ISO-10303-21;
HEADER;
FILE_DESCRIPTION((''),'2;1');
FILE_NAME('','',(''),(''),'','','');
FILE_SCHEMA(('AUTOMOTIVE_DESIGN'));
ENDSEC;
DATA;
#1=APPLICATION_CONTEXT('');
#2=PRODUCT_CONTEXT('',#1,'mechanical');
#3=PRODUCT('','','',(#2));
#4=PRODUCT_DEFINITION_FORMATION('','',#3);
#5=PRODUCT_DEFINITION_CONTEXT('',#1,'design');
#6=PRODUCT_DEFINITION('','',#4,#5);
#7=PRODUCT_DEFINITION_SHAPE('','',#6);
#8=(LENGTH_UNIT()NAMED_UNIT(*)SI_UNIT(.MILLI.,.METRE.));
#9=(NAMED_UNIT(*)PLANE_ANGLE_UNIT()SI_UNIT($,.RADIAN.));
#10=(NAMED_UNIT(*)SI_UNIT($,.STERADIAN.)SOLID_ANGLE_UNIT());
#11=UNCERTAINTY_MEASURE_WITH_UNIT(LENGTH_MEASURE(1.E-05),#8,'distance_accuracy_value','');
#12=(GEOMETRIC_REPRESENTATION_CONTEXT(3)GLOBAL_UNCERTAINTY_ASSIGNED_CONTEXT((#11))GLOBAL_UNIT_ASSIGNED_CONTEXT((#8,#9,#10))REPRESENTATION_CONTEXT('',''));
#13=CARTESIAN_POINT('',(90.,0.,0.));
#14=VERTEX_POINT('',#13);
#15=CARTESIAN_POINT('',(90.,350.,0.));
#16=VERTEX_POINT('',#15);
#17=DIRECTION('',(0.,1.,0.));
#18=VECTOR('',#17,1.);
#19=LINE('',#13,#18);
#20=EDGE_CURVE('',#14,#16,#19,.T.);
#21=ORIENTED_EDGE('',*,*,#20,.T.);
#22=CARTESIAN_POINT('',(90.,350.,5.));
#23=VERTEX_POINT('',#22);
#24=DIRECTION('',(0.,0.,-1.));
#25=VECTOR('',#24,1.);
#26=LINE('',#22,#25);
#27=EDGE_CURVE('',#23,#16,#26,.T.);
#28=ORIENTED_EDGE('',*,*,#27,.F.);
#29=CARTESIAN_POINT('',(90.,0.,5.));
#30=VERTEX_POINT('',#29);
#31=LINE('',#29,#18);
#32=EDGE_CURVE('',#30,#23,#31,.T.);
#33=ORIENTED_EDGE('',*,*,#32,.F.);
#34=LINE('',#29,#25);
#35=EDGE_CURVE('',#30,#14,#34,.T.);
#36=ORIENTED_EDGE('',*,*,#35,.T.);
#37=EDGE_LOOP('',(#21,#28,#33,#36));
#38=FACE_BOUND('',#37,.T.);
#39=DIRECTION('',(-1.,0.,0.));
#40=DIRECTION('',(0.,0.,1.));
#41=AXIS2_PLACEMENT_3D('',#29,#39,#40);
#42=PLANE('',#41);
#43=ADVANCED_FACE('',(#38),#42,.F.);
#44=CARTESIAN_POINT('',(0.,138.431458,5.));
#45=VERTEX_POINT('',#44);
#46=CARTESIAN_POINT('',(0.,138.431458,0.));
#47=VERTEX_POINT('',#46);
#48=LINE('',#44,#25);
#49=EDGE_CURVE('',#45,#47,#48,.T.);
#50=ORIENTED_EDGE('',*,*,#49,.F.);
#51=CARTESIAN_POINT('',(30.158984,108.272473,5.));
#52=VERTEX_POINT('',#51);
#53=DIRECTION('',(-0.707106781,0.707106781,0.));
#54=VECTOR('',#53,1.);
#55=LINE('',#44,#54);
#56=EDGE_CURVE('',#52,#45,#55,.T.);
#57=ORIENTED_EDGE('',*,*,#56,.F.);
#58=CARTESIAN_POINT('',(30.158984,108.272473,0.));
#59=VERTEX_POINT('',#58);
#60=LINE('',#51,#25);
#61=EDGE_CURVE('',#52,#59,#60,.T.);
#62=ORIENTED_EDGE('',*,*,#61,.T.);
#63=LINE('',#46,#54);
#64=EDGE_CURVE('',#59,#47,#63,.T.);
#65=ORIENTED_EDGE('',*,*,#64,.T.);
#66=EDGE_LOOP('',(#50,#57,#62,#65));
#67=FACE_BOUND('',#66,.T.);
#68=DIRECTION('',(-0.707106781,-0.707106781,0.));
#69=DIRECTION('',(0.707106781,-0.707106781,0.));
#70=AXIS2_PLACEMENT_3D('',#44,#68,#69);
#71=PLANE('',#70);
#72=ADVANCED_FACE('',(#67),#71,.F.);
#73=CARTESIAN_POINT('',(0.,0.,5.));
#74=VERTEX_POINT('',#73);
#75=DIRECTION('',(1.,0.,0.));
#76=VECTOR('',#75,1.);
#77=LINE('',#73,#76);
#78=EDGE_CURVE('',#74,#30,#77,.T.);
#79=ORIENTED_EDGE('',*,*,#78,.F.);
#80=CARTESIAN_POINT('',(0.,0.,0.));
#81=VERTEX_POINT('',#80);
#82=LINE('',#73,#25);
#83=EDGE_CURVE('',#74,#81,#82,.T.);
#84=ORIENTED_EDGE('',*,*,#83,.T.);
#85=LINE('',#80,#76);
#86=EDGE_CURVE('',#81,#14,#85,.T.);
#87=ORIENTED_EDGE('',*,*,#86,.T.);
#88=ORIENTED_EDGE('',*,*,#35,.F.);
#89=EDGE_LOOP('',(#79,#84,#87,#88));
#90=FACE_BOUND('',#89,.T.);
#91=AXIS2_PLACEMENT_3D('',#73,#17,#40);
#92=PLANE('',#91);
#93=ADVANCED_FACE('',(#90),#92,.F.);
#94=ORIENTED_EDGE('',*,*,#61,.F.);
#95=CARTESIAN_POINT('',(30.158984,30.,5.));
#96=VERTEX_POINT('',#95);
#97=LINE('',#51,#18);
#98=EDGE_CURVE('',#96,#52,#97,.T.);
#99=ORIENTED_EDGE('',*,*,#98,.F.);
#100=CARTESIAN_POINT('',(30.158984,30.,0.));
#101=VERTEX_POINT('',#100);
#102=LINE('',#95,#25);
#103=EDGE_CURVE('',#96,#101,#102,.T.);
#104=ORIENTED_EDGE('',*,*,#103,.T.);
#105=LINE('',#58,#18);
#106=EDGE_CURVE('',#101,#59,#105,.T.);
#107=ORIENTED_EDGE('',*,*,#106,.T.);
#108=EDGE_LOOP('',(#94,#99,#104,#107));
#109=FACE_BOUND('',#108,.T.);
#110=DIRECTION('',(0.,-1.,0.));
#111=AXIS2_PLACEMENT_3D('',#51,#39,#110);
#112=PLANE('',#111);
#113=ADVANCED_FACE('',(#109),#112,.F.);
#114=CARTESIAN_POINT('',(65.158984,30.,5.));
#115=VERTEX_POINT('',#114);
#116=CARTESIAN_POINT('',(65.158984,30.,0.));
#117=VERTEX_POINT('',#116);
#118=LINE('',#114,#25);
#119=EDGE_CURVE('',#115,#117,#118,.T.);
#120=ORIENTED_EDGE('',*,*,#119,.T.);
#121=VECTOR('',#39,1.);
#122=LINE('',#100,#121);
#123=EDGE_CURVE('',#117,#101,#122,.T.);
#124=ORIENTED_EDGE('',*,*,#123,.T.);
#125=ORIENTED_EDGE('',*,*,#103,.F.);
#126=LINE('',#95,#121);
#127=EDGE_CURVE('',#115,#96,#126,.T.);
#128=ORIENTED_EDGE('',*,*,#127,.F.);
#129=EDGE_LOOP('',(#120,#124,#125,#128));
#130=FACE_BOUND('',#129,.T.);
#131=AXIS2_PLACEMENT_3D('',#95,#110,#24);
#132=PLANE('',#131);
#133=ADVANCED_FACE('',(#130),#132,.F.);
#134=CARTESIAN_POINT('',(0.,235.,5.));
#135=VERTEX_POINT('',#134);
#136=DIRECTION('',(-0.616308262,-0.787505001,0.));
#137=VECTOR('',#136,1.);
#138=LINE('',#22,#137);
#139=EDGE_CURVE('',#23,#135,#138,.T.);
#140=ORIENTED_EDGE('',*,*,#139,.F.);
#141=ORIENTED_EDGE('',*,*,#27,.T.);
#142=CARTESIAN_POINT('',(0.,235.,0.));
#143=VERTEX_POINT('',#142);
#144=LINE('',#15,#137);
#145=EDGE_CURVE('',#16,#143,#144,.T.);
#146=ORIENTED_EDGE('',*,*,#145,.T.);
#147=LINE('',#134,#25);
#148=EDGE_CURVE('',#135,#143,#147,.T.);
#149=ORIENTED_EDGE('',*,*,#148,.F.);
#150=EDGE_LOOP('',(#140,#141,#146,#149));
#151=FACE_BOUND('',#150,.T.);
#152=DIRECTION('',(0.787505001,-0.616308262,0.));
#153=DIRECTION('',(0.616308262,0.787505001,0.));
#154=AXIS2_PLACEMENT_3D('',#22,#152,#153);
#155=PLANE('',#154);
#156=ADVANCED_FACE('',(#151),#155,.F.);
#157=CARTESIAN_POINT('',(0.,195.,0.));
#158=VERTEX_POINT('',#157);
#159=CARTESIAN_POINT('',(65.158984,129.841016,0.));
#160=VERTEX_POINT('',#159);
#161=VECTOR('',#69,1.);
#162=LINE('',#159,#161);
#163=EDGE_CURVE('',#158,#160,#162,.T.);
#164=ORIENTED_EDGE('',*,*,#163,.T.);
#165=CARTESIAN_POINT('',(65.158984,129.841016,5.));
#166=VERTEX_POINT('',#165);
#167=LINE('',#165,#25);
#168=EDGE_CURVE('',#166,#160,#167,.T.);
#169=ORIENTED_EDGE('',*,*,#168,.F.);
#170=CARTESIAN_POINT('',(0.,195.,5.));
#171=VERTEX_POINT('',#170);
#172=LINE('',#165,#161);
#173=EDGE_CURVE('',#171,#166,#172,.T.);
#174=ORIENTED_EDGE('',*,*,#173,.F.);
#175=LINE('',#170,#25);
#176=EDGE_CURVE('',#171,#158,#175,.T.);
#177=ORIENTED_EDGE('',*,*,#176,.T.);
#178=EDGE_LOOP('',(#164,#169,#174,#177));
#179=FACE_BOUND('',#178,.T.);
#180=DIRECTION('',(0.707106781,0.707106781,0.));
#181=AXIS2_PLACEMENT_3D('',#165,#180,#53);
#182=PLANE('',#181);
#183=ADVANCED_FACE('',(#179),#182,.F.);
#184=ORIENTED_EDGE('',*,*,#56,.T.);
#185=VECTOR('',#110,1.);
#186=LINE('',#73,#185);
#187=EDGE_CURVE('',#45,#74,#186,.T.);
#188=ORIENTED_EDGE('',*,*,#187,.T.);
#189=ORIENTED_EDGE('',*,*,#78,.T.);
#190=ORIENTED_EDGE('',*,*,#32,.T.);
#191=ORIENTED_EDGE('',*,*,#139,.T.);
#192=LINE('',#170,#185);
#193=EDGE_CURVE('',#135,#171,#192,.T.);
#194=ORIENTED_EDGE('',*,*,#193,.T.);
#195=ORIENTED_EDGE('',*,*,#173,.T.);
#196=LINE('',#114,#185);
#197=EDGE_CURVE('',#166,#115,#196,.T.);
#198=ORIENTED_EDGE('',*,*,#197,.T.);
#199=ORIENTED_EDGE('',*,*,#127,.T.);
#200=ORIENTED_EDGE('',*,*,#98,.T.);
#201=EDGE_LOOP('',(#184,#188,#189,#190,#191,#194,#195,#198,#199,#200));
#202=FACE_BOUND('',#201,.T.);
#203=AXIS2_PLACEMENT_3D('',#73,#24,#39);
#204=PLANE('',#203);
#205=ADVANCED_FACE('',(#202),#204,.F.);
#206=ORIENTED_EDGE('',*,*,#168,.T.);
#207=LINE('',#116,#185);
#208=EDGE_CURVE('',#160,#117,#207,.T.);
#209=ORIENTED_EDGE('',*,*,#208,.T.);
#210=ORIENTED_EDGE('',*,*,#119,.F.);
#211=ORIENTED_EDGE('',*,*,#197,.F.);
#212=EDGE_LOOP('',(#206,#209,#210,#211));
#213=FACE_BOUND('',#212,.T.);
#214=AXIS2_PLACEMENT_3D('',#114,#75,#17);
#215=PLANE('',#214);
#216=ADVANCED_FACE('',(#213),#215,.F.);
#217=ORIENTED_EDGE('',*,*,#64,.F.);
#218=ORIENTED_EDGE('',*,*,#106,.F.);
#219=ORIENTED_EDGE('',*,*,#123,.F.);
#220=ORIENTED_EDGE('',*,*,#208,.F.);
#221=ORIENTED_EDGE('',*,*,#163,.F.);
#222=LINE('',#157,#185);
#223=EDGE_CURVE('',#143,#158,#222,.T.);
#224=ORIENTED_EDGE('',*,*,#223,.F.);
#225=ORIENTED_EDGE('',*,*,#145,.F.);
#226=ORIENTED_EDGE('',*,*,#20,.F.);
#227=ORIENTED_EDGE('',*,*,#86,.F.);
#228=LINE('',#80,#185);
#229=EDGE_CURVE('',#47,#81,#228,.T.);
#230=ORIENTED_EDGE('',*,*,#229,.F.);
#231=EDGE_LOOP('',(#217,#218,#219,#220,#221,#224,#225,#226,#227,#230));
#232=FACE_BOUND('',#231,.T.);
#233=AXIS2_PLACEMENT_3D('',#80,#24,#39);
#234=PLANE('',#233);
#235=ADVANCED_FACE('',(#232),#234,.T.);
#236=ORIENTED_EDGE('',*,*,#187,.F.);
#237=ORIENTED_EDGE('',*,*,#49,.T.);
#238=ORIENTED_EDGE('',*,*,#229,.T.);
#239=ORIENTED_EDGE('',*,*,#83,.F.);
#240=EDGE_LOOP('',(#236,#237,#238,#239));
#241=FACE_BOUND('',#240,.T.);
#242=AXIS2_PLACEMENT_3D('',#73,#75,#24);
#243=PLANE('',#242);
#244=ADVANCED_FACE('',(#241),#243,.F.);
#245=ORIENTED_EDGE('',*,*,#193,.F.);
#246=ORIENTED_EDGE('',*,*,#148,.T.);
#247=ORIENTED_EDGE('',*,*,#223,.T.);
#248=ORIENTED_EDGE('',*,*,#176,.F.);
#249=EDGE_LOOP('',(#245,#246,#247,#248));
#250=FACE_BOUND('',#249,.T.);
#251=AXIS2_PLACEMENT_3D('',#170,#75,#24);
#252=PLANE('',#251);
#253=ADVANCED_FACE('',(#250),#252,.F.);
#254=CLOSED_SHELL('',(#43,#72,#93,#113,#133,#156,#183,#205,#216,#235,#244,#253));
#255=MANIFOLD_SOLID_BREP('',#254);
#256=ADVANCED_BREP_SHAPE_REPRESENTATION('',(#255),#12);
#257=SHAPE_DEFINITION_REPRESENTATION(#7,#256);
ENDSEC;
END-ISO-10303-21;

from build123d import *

# Parameters (mm, degrees)
BOSS_EXTRUDE1_DEPTH = 5


with BuildPart() as part:
    # Sketch1 → Boss-Extrude1 (new body)
    with BuildSketch(Plane.XY):
        Polygon((90, 350), (0, 235), (0, 195), (65.158984127, 129.841015873), (65.158984127, 30), (30.158984127, 30), (30.158984127, 108.272473378), (0, 138.431457505), (0, 0), (90, 0), align=None)
    extrude(amount=BOSS_EXTRUDE1_DEPTH)


solid = part.part
